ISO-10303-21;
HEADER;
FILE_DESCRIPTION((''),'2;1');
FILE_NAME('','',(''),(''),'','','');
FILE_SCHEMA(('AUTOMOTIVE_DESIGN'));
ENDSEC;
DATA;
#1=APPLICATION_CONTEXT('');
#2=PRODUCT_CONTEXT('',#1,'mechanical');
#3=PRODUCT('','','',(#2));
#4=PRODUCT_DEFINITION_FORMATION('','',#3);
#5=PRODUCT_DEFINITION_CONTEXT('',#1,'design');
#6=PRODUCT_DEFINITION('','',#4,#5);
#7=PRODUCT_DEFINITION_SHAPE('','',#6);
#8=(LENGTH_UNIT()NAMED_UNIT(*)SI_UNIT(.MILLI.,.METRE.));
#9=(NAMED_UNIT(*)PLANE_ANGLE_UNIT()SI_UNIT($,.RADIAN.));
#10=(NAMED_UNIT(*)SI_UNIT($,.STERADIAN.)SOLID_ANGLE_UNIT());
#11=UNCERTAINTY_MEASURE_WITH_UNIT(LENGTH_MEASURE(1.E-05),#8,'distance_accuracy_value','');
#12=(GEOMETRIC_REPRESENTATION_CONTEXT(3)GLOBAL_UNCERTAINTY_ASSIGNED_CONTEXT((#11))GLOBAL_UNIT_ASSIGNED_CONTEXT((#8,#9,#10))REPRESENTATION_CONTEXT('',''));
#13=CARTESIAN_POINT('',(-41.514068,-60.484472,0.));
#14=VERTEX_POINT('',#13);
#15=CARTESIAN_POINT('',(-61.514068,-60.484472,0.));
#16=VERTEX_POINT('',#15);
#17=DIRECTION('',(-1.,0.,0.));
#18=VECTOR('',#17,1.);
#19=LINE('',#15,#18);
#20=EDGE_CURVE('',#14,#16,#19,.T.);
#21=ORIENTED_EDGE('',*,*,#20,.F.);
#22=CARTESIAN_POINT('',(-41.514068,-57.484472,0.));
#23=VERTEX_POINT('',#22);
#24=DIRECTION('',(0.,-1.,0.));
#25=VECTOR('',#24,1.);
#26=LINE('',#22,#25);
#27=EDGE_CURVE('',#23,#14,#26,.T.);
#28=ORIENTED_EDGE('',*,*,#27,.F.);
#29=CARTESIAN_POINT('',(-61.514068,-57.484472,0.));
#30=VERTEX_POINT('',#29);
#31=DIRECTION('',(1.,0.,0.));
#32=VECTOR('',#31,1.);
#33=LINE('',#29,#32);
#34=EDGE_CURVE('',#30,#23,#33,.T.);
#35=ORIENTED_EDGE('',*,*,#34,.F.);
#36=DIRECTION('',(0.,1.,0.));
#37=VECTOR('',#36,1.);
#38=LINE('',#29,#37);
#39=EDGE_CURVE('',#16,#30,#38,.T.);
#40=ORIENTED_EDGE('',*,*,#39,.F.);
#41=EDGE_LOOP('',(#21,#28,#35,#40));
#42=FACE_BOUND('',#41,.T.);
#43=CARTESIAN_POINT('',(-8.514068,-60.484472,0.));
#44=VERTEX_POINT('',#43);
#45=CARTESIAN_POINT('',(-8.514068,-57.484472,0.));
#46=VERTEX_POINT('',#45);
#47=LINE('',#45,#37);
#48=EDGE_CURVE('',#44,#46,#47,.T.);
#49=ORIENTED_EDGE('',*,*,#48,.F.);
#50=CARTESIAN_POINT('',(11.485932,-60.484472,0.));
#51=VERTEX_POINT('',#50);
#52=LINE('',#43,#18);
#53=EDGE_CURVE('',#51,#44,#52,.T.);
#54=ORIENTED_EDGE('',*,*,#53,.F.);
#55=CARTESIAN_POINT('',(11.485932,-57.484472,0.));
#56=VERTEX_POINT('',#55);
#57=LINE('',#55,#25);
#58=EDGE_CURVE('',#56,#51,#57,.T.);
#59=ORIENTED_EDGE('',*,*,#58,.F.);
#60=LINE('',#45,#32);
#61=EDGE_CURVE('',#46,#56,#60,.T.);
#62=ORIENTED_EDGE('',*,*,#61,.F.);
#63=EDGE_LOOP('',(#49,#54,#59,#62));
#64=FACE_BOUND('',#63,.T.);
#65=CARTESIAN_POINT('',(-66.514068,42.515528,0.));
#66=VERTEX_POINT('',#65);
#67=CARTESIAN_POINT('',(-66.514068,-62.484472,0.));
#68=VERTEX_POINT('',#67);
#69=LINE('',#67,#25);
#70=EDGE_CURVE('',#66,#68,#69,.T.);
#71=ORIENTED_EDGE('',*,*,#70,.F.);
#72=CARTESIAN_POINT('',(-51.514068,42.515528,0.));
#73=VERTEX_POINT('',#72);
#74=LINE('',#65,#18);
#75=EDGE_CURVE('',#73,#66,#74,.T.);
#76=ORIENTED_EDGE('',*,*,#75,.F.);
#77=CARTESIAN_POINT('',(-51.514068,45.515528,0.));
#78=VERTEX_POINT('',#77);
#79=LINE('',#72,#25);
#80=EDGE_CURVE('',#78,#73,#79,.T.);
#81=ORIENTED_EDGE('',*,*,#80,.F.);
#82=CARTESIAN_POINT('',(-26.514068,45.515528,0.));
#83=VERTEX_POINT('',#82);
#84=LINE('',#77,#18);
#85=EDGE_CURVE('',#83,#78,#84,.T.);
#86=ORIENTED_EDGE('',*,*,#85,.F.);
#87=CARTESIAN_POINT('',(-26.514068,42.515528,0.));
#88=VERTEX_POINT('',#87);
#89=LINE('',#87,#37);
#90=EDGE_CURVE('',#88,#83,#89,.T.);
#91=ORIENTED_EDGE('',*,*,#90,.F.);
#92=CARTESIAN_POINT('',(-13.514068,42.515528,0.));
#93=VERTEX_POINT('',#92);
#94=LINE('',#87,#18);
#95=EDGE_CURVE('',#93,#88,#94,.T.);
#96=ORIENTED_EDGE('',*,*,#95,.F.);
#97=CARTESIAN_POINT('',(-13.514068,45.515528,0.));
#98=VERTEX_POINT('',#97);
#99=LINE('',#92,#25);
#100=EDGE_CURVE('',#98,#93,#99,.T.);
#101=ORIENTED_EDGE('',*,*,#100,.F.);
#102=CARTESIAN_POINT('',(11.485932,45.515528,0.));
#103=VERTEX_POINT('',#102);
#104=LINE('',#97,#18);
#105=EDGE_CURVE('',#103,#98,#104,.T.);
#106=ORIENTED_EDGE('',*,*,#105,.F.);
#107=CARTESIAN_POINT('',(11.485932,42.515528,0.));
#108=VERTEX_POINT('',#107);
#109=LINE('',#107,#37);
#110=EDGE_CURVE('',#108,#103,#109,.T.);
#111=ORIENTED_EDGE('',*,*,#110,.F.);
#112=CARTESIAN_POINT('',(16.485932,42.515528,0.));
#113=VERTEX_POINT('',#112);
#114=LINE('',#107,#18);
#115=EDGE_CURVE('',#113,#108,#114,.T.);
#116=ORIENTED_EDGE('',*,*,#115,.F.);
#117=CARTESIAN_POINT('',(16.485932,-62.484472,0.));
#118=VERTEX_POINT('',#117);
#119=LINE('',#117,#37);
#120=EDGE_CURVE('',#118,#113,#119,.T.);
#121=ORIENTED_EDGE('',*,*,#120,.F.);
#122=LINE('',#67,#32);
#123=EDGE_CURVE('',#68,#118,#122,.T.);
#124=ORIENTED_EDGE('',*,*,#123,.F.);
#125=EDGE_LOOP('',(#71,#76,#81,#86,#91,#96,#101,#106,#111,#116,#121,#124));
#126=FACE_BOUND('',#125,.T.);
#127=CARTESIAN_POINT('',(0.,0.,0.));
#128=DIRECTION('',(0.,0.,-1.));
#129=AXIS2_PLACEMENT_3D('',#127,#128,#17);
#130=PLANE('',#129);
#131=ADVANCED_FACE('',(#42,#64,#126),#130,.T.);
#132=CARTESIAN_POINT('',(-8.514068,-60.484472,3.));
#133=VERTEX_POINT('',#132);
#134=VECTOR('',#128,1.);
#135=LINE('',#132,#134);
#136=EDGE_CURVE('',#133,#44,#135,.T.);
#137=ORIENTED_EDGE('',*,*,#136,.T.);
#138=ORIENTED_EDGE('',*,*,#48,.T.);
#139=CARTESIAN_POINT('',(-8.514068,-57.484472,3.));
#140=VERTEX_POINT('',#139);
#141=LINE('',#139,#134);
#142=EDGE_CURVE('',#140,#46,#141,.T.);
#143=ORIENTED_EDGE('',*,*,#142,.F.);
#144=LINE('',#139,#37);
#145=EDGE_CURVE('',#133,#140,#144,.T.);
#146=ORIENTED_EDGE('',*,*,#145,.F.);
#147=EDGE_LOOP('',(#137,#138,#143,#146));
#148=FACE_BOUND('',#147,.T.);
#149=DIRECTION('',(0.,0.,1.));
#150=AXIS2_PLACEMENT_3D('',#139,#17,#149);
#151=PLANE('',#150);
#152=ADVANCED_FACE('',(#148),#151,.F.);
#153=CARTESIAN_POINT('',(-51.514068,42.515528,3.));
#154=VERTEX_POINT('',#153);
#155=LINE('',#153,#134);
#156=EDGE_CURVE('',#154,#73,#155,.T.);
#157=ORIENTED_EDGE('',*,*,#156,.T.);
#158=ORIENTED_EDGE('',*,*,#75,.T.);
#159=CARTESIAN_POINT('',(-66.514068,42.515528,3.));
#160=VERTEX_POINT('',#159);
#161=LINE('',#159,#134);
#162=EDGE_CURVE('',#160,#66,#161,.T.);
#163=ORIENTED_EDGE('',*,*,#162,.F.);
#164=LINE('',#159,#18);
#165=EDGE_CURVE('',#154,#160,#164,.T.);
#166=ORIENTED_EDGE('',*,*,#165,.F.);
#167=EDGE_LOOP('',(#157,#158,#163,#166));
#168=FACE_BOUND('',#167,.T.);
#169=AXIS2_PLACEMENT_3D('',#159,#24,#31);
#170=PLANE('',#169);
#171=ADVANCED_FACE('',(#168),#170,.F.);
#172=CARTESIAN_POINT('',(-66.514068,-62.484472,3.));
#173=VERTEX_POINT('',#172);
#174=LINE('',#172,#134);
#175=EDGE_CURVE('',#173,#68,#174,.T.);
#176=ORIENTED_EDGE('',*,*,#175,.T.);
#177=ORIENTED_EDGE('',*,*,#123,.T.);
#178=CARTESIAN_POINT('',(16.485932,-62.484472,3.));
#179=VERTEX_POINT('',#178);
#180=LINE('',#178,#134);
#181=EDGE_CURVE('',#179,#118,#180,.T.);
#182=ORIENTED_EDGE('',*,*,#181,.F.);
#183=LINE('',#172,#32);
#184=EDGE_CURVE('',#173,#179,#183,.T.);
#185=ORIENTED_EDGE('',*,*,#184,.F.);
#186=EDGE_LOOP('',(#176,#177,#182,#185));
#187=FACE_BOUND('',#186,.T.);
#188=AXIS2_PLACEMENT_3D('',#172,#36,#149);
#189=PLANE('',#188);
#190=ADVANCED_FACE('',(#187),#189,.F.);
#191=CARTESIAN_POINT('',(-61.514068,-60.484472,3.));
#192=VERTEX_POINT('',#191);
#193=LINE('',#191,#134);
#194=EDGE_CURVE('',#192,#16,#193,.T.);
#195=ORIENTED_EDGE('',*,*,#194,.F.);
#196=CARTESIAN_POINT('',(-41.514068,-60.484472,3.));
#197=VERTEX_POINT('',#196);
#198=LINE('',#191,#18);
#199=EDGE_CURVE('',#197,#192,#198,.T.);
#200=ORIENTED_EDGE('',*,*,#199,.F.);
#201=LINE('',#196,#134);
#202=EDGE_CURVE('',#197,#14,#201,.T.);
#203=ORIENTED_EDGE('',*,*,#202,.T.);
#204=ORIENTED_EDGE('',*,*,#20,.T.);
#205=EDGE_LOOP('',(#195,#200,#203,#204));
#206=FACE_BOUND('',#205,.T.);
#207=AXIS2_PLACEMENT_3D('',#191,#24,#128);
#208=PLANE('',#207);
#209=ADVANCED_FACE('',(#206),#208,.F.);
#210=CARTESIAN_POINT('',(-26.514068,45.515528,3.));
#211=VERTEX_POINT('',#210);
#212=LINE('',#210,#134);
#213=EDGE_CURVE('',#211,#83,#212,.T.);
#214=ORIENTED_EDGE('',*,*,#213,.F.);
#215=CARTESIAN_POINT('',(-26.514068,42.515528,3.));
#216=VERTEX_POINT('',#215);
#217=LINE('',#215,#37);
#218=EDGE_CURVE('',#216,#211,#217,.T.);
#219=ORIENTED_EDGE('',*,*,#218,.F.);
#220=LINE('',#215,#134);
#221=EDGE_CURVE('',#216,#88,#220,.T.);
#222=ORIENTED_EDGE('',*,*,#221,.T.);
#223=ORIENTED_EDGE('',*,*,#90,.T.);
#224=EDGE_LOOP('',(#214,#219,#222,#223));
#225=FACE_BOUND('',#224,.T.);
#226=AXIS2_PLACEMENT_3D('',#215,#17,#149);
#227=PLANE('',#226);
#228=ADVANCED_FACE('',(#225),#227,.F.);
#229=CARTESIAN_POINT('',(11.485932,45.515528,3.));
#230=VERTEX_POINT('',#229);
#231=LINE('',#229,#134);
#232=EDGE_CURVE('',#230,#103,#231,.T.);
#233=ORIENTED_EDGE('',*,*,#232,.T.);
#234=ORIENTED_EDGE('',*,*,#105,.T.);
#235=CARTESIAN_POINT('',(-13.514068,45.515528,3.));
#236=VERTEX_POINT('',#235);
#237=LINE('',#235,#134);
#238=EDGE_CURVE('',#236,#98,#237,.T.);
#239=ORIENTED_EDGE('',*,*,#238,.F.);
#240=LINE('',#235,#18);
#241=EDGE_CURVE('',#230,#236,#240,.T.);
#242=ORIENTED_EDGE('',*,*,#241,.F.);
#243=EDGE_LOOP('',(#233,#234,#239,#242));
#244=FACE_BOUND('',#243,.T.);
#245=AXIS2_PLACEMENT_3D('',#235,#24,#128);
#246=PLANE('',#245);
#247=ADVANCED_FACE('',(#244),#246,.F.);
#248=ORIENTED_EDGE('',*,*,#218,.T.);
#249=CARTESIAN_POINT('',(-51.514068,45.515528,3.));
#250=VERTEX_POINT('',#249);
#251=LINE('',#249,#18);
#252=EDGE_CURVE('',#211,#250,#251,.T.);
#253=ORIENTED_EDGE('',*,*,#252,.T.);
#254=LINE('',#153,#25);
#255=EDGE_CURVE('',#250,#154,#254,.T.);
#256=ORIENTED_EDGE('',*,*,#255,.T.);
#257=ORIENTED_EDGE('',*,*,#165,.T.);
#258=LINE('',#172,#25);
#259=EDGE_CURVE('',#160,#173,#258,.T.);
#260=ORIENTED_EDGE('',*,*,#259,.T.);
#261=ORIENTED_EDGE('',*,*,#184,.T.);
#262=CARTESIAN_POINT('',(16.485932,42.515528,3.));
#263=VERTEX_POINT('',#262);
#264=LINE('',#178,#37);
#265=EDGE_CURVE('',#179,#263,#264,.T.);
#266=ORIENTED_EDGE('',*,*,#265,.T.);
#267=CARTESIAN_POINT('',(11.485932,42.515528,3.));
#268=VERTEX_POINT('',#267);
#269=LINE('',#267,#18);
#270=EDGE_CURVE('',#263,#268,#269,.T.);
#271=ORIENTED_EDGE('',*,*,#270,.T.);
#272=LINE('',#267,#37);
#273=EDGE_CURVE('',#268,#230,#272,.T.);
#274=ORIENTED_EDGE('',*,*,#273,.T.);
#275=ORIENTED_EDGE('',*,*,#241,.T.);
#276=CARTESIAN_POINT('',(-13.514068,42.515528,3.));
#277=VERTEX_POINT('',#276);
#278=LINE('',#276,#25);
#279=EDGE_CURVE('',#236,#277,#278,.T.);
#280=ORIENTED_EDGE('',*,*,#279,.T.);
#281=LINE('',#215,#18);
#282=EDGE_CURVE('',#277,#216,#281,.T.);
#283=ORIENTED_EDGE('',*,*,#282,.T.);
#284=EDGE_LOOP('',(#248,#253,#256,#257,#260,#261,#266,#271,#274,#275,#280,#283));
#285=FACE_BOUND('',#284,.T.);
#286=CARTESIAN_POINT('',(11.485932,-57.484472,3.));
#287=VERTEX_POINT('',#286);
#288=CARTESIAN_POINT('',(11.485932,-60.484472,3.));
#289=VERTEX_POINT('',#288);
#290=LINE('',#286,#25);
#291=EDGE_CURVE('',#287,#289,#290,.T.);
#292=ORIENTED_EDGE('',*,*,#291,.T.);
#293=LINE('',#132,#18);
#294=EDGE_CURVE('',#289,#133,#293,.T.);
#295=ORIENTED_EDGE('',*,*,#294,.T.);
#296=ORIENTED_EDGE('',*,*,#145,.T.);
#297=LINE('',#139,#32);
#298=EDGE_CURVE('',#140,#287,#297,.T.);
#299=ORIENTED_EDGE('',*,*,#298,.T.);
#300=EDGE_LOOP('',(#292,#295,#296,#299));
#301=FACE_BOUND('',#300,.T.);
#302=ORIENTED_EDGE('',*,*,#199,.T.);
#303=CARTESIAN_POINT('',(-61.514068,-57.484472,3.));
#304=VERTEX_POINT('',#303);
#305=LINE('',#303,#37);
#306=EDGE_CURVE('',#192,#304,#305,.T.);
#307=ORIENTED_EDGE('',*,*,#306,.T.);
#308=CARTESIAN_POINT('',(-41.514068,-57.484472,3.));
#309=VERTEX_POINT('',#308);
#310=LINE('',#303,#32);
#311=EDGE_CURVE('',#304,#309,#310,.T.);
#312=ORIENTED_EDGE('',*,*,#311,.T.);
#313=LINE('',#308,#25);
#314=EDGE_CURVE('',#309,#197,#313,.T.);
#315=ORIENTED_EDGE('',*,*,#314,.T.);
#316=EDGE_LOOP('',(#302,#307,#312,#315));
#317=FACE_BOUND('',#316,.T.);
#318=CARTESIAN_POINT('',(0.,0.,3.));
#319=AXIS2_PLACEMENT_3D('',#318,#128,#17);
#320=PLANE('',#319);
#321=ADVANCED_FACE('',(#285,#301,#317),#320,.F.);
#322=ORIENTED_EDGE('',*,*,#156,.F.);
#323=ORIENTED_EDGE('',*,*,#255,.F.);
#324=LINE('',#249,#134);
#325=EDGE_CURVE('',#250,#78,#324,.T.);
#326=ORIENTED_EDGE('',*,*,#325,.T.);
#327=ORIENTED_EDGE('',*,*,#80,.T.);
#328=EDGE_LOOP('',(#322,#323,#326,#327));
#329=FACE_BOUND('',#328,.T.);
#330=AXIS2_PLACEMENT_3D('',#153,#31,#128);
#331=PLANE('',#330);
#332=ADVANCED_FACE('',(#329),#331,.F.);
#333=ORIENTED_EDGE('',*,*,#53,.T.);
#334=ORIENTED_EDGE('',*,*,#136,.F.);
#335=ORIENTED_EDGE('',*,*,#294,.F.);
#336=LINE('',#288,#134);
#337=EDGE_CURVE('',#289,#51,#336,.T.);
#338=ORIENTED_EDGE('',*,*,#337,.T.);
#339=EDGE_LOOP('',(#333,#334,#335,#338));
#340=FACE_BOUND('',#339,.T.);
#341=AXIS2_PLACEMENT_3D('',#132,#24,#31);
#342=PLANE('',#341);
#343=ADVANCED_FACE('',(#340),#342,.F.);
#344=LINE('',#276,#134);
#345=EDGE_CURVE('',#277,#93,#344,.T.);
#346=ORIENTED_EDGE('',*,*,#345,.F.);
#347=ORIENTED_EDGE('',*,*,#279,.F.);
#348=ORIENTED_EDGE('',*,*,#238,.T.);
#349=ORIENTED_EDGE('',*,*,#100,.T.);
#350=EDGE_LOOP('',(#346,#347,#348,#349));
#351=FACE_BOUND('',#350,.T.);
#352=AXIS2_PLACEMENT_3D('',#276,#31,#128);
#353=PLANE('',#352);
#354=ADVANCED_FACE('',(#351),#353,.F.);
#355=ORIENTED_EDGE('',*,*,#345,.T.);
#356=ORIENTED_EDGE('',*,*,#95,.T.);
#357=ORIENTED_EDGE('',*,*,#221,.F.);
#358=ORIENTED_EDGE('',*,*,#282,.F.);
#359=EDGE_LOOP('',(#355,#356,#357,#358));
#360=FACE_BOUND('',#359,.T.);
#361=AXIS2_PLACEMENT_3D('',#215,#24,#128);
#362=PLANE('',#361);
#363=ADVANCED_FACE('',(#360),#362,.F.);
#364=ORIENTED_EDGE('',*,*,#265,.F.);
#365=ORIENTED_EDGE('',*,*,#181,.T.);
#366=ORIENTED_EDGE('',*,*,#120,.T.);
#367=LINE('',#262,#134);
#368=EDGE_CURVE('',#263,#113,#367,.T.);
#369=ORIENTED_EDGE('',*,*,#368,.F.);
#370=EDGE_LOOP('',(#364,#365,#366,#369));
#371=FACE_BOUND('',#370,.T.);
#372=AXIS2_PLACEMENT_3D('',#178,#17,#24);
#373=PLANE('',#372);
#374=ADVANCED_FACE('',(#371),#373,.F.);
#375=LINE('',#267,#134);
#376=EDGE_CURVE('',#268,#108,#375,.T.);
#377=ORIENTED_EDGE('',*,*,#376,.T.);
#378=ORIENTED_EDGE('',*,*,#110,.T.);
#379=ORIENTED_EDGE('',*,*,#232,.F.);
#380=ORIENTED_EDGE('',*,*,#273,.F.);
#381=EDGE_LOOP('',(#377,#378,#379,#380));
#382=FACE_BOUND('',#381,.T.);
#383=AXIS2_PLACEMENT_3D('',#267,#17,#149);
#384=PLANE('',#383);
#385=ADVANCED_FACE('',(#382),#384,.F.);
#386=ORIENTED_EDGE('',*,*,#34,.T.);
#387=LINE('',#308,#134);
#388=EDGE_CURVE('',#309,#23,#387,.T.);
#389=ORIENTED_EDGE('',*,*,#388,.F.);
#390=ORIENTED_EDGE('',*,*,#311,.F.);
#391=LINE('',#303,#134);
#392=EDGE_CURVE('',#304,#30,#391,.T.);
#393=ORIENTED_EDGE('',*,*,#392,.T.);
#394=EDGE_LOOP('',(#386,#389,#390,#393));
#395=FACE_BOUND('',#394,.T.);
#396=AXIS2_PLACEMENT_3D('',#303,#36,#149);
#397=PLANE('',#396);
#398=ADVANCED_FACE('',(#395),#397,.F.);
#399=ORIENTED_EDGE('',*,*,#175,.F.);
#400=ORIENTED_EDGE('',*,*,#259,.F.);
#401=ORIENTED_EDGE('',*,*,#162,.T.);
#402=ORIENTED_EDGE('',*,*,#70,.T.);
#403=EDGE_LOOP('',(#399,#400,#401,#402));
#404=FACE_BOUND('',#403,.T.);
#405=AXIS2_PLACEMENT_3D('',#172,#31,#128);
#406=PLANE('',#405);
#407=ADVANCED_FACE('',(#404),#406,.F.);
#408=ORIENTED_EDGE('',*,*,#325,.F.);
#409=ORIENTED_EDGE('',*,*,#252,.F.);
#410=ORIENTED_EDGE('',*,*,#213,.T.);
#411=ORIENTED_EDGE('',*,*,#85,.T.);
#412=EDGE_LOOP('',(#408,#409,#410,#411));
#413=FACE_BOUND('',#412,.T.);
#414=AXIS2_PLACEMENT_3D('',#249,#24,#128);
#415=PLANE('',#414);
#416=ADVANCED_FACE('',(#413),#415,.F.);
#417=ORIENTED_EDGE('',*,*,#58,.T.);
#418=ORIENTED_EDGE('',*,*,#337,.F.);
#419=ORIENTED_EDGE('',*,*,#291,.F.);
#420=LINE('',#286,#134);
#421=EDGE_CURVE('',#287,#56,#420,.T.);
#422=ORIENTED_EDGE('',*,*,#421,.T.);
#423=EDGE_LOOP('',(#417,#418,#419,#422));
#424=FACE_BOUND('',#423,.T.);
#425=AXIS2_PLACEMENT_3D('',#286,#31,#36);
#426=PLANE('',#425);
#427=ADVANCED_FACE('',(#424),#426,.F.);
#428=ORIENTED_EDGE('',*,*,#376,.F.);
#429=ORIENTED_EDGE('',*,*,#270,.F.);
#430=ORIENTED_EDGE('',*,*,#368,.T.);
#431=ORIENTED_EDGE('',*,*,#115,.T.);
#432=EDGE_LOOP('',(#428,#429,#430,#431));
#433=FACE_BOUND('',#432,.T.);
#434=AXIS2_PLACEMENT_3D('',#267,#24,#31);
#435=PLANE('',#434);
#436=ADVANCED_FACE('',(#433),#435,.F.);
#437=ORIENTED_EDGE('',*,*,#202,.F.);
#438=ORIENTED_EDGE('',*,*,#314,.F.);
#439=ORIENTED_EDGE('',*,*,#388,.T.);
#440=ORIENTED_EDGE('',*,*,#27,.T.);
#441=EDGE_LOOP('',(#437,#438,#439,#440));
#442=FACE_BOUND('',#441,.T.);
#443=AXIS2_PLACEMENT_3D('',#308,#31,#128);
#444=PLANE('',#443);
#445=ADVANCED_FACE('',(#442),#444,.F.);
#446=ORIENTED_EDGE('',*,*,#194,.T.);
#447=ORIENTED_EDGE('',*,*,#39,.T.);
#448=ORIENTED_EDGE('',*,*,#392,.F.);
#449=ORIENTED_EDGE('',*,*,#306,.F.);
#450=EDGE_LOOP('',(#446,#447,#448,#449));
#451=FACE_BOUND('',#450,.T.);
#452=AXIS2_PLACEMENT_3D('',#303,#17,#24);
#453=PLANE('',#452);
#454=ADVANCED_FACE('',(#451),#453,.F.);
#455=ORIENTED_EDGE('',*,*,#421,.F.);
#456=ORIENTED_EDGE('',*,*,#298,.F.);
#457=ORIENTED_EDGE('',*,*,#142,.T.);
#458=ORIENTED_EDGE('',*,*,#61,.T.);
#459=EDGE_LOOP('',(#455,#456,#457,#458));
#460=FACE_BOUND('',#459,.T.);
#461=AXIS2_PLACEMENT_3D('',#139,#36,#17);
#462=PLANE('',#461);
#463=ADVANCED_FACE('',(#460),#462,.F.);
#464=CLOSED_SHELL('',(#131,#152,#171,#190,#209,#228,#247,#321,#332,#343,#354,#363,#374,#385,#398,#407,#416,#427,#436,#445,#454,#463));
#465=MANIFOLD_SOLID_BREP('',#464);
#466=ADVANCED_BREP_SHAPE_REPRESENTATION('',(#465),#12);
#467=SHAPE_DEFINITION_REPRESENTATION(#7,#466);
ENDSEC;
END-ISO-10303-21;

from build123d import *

# Parameters (mm, degrees)
RESSALTO_EXTRUS_O1_DEPTH = 3
ESBO_O2_W                = 20
ESBO_O2_H                = 3
CORTE_EXTRUS_O1_DEPTH    = 4


with BuildPart() as part:
    # Esboço1 → Ressalto-extrusão1 (new body)
    with BuildSketch(Plane.XY):
        Polygon((-26.514068493, 42.51552795), (-13.514068493, 42.51552795), (-13.514068493, 45.51552795), (11.485931507, 45.51552795), (11.485931507, 42.51552795), (16.485931507, 42.51552795), (16.485931507, -62.48447205), (-66.514068493, -62.48447205), (-66.514068493, 42.51552795), (-51.514068493, 42.51552795), (-51.514068493, 45.51552795), (-26.514068493, 45.51552795), align=None)
    extrude(amount=RESSALTO_EXTRUS_O1_DEPTH)

    # Esboço2 → Corte-extrusão1 (cut, through all)
    with BuildSketch(Plane(origin=(0, 0, 0), x_dir=(-1, 0, 0), z_dir=(0, 0, -1))):
        with Locations((51.514068493, -58.98447205)):
            Rectangle(ESBO_O2_W, ESBO_O2_H)
        with Locations((-1.485931507, -58.98447205)):
            Rectangle(ESBO_O2_W, ESBO_O2_H)
    extrude(amount=-CORTE_EXTRUS_O1_DEPTH, mode=Mode.SUBTRACT)


solid = part.part
